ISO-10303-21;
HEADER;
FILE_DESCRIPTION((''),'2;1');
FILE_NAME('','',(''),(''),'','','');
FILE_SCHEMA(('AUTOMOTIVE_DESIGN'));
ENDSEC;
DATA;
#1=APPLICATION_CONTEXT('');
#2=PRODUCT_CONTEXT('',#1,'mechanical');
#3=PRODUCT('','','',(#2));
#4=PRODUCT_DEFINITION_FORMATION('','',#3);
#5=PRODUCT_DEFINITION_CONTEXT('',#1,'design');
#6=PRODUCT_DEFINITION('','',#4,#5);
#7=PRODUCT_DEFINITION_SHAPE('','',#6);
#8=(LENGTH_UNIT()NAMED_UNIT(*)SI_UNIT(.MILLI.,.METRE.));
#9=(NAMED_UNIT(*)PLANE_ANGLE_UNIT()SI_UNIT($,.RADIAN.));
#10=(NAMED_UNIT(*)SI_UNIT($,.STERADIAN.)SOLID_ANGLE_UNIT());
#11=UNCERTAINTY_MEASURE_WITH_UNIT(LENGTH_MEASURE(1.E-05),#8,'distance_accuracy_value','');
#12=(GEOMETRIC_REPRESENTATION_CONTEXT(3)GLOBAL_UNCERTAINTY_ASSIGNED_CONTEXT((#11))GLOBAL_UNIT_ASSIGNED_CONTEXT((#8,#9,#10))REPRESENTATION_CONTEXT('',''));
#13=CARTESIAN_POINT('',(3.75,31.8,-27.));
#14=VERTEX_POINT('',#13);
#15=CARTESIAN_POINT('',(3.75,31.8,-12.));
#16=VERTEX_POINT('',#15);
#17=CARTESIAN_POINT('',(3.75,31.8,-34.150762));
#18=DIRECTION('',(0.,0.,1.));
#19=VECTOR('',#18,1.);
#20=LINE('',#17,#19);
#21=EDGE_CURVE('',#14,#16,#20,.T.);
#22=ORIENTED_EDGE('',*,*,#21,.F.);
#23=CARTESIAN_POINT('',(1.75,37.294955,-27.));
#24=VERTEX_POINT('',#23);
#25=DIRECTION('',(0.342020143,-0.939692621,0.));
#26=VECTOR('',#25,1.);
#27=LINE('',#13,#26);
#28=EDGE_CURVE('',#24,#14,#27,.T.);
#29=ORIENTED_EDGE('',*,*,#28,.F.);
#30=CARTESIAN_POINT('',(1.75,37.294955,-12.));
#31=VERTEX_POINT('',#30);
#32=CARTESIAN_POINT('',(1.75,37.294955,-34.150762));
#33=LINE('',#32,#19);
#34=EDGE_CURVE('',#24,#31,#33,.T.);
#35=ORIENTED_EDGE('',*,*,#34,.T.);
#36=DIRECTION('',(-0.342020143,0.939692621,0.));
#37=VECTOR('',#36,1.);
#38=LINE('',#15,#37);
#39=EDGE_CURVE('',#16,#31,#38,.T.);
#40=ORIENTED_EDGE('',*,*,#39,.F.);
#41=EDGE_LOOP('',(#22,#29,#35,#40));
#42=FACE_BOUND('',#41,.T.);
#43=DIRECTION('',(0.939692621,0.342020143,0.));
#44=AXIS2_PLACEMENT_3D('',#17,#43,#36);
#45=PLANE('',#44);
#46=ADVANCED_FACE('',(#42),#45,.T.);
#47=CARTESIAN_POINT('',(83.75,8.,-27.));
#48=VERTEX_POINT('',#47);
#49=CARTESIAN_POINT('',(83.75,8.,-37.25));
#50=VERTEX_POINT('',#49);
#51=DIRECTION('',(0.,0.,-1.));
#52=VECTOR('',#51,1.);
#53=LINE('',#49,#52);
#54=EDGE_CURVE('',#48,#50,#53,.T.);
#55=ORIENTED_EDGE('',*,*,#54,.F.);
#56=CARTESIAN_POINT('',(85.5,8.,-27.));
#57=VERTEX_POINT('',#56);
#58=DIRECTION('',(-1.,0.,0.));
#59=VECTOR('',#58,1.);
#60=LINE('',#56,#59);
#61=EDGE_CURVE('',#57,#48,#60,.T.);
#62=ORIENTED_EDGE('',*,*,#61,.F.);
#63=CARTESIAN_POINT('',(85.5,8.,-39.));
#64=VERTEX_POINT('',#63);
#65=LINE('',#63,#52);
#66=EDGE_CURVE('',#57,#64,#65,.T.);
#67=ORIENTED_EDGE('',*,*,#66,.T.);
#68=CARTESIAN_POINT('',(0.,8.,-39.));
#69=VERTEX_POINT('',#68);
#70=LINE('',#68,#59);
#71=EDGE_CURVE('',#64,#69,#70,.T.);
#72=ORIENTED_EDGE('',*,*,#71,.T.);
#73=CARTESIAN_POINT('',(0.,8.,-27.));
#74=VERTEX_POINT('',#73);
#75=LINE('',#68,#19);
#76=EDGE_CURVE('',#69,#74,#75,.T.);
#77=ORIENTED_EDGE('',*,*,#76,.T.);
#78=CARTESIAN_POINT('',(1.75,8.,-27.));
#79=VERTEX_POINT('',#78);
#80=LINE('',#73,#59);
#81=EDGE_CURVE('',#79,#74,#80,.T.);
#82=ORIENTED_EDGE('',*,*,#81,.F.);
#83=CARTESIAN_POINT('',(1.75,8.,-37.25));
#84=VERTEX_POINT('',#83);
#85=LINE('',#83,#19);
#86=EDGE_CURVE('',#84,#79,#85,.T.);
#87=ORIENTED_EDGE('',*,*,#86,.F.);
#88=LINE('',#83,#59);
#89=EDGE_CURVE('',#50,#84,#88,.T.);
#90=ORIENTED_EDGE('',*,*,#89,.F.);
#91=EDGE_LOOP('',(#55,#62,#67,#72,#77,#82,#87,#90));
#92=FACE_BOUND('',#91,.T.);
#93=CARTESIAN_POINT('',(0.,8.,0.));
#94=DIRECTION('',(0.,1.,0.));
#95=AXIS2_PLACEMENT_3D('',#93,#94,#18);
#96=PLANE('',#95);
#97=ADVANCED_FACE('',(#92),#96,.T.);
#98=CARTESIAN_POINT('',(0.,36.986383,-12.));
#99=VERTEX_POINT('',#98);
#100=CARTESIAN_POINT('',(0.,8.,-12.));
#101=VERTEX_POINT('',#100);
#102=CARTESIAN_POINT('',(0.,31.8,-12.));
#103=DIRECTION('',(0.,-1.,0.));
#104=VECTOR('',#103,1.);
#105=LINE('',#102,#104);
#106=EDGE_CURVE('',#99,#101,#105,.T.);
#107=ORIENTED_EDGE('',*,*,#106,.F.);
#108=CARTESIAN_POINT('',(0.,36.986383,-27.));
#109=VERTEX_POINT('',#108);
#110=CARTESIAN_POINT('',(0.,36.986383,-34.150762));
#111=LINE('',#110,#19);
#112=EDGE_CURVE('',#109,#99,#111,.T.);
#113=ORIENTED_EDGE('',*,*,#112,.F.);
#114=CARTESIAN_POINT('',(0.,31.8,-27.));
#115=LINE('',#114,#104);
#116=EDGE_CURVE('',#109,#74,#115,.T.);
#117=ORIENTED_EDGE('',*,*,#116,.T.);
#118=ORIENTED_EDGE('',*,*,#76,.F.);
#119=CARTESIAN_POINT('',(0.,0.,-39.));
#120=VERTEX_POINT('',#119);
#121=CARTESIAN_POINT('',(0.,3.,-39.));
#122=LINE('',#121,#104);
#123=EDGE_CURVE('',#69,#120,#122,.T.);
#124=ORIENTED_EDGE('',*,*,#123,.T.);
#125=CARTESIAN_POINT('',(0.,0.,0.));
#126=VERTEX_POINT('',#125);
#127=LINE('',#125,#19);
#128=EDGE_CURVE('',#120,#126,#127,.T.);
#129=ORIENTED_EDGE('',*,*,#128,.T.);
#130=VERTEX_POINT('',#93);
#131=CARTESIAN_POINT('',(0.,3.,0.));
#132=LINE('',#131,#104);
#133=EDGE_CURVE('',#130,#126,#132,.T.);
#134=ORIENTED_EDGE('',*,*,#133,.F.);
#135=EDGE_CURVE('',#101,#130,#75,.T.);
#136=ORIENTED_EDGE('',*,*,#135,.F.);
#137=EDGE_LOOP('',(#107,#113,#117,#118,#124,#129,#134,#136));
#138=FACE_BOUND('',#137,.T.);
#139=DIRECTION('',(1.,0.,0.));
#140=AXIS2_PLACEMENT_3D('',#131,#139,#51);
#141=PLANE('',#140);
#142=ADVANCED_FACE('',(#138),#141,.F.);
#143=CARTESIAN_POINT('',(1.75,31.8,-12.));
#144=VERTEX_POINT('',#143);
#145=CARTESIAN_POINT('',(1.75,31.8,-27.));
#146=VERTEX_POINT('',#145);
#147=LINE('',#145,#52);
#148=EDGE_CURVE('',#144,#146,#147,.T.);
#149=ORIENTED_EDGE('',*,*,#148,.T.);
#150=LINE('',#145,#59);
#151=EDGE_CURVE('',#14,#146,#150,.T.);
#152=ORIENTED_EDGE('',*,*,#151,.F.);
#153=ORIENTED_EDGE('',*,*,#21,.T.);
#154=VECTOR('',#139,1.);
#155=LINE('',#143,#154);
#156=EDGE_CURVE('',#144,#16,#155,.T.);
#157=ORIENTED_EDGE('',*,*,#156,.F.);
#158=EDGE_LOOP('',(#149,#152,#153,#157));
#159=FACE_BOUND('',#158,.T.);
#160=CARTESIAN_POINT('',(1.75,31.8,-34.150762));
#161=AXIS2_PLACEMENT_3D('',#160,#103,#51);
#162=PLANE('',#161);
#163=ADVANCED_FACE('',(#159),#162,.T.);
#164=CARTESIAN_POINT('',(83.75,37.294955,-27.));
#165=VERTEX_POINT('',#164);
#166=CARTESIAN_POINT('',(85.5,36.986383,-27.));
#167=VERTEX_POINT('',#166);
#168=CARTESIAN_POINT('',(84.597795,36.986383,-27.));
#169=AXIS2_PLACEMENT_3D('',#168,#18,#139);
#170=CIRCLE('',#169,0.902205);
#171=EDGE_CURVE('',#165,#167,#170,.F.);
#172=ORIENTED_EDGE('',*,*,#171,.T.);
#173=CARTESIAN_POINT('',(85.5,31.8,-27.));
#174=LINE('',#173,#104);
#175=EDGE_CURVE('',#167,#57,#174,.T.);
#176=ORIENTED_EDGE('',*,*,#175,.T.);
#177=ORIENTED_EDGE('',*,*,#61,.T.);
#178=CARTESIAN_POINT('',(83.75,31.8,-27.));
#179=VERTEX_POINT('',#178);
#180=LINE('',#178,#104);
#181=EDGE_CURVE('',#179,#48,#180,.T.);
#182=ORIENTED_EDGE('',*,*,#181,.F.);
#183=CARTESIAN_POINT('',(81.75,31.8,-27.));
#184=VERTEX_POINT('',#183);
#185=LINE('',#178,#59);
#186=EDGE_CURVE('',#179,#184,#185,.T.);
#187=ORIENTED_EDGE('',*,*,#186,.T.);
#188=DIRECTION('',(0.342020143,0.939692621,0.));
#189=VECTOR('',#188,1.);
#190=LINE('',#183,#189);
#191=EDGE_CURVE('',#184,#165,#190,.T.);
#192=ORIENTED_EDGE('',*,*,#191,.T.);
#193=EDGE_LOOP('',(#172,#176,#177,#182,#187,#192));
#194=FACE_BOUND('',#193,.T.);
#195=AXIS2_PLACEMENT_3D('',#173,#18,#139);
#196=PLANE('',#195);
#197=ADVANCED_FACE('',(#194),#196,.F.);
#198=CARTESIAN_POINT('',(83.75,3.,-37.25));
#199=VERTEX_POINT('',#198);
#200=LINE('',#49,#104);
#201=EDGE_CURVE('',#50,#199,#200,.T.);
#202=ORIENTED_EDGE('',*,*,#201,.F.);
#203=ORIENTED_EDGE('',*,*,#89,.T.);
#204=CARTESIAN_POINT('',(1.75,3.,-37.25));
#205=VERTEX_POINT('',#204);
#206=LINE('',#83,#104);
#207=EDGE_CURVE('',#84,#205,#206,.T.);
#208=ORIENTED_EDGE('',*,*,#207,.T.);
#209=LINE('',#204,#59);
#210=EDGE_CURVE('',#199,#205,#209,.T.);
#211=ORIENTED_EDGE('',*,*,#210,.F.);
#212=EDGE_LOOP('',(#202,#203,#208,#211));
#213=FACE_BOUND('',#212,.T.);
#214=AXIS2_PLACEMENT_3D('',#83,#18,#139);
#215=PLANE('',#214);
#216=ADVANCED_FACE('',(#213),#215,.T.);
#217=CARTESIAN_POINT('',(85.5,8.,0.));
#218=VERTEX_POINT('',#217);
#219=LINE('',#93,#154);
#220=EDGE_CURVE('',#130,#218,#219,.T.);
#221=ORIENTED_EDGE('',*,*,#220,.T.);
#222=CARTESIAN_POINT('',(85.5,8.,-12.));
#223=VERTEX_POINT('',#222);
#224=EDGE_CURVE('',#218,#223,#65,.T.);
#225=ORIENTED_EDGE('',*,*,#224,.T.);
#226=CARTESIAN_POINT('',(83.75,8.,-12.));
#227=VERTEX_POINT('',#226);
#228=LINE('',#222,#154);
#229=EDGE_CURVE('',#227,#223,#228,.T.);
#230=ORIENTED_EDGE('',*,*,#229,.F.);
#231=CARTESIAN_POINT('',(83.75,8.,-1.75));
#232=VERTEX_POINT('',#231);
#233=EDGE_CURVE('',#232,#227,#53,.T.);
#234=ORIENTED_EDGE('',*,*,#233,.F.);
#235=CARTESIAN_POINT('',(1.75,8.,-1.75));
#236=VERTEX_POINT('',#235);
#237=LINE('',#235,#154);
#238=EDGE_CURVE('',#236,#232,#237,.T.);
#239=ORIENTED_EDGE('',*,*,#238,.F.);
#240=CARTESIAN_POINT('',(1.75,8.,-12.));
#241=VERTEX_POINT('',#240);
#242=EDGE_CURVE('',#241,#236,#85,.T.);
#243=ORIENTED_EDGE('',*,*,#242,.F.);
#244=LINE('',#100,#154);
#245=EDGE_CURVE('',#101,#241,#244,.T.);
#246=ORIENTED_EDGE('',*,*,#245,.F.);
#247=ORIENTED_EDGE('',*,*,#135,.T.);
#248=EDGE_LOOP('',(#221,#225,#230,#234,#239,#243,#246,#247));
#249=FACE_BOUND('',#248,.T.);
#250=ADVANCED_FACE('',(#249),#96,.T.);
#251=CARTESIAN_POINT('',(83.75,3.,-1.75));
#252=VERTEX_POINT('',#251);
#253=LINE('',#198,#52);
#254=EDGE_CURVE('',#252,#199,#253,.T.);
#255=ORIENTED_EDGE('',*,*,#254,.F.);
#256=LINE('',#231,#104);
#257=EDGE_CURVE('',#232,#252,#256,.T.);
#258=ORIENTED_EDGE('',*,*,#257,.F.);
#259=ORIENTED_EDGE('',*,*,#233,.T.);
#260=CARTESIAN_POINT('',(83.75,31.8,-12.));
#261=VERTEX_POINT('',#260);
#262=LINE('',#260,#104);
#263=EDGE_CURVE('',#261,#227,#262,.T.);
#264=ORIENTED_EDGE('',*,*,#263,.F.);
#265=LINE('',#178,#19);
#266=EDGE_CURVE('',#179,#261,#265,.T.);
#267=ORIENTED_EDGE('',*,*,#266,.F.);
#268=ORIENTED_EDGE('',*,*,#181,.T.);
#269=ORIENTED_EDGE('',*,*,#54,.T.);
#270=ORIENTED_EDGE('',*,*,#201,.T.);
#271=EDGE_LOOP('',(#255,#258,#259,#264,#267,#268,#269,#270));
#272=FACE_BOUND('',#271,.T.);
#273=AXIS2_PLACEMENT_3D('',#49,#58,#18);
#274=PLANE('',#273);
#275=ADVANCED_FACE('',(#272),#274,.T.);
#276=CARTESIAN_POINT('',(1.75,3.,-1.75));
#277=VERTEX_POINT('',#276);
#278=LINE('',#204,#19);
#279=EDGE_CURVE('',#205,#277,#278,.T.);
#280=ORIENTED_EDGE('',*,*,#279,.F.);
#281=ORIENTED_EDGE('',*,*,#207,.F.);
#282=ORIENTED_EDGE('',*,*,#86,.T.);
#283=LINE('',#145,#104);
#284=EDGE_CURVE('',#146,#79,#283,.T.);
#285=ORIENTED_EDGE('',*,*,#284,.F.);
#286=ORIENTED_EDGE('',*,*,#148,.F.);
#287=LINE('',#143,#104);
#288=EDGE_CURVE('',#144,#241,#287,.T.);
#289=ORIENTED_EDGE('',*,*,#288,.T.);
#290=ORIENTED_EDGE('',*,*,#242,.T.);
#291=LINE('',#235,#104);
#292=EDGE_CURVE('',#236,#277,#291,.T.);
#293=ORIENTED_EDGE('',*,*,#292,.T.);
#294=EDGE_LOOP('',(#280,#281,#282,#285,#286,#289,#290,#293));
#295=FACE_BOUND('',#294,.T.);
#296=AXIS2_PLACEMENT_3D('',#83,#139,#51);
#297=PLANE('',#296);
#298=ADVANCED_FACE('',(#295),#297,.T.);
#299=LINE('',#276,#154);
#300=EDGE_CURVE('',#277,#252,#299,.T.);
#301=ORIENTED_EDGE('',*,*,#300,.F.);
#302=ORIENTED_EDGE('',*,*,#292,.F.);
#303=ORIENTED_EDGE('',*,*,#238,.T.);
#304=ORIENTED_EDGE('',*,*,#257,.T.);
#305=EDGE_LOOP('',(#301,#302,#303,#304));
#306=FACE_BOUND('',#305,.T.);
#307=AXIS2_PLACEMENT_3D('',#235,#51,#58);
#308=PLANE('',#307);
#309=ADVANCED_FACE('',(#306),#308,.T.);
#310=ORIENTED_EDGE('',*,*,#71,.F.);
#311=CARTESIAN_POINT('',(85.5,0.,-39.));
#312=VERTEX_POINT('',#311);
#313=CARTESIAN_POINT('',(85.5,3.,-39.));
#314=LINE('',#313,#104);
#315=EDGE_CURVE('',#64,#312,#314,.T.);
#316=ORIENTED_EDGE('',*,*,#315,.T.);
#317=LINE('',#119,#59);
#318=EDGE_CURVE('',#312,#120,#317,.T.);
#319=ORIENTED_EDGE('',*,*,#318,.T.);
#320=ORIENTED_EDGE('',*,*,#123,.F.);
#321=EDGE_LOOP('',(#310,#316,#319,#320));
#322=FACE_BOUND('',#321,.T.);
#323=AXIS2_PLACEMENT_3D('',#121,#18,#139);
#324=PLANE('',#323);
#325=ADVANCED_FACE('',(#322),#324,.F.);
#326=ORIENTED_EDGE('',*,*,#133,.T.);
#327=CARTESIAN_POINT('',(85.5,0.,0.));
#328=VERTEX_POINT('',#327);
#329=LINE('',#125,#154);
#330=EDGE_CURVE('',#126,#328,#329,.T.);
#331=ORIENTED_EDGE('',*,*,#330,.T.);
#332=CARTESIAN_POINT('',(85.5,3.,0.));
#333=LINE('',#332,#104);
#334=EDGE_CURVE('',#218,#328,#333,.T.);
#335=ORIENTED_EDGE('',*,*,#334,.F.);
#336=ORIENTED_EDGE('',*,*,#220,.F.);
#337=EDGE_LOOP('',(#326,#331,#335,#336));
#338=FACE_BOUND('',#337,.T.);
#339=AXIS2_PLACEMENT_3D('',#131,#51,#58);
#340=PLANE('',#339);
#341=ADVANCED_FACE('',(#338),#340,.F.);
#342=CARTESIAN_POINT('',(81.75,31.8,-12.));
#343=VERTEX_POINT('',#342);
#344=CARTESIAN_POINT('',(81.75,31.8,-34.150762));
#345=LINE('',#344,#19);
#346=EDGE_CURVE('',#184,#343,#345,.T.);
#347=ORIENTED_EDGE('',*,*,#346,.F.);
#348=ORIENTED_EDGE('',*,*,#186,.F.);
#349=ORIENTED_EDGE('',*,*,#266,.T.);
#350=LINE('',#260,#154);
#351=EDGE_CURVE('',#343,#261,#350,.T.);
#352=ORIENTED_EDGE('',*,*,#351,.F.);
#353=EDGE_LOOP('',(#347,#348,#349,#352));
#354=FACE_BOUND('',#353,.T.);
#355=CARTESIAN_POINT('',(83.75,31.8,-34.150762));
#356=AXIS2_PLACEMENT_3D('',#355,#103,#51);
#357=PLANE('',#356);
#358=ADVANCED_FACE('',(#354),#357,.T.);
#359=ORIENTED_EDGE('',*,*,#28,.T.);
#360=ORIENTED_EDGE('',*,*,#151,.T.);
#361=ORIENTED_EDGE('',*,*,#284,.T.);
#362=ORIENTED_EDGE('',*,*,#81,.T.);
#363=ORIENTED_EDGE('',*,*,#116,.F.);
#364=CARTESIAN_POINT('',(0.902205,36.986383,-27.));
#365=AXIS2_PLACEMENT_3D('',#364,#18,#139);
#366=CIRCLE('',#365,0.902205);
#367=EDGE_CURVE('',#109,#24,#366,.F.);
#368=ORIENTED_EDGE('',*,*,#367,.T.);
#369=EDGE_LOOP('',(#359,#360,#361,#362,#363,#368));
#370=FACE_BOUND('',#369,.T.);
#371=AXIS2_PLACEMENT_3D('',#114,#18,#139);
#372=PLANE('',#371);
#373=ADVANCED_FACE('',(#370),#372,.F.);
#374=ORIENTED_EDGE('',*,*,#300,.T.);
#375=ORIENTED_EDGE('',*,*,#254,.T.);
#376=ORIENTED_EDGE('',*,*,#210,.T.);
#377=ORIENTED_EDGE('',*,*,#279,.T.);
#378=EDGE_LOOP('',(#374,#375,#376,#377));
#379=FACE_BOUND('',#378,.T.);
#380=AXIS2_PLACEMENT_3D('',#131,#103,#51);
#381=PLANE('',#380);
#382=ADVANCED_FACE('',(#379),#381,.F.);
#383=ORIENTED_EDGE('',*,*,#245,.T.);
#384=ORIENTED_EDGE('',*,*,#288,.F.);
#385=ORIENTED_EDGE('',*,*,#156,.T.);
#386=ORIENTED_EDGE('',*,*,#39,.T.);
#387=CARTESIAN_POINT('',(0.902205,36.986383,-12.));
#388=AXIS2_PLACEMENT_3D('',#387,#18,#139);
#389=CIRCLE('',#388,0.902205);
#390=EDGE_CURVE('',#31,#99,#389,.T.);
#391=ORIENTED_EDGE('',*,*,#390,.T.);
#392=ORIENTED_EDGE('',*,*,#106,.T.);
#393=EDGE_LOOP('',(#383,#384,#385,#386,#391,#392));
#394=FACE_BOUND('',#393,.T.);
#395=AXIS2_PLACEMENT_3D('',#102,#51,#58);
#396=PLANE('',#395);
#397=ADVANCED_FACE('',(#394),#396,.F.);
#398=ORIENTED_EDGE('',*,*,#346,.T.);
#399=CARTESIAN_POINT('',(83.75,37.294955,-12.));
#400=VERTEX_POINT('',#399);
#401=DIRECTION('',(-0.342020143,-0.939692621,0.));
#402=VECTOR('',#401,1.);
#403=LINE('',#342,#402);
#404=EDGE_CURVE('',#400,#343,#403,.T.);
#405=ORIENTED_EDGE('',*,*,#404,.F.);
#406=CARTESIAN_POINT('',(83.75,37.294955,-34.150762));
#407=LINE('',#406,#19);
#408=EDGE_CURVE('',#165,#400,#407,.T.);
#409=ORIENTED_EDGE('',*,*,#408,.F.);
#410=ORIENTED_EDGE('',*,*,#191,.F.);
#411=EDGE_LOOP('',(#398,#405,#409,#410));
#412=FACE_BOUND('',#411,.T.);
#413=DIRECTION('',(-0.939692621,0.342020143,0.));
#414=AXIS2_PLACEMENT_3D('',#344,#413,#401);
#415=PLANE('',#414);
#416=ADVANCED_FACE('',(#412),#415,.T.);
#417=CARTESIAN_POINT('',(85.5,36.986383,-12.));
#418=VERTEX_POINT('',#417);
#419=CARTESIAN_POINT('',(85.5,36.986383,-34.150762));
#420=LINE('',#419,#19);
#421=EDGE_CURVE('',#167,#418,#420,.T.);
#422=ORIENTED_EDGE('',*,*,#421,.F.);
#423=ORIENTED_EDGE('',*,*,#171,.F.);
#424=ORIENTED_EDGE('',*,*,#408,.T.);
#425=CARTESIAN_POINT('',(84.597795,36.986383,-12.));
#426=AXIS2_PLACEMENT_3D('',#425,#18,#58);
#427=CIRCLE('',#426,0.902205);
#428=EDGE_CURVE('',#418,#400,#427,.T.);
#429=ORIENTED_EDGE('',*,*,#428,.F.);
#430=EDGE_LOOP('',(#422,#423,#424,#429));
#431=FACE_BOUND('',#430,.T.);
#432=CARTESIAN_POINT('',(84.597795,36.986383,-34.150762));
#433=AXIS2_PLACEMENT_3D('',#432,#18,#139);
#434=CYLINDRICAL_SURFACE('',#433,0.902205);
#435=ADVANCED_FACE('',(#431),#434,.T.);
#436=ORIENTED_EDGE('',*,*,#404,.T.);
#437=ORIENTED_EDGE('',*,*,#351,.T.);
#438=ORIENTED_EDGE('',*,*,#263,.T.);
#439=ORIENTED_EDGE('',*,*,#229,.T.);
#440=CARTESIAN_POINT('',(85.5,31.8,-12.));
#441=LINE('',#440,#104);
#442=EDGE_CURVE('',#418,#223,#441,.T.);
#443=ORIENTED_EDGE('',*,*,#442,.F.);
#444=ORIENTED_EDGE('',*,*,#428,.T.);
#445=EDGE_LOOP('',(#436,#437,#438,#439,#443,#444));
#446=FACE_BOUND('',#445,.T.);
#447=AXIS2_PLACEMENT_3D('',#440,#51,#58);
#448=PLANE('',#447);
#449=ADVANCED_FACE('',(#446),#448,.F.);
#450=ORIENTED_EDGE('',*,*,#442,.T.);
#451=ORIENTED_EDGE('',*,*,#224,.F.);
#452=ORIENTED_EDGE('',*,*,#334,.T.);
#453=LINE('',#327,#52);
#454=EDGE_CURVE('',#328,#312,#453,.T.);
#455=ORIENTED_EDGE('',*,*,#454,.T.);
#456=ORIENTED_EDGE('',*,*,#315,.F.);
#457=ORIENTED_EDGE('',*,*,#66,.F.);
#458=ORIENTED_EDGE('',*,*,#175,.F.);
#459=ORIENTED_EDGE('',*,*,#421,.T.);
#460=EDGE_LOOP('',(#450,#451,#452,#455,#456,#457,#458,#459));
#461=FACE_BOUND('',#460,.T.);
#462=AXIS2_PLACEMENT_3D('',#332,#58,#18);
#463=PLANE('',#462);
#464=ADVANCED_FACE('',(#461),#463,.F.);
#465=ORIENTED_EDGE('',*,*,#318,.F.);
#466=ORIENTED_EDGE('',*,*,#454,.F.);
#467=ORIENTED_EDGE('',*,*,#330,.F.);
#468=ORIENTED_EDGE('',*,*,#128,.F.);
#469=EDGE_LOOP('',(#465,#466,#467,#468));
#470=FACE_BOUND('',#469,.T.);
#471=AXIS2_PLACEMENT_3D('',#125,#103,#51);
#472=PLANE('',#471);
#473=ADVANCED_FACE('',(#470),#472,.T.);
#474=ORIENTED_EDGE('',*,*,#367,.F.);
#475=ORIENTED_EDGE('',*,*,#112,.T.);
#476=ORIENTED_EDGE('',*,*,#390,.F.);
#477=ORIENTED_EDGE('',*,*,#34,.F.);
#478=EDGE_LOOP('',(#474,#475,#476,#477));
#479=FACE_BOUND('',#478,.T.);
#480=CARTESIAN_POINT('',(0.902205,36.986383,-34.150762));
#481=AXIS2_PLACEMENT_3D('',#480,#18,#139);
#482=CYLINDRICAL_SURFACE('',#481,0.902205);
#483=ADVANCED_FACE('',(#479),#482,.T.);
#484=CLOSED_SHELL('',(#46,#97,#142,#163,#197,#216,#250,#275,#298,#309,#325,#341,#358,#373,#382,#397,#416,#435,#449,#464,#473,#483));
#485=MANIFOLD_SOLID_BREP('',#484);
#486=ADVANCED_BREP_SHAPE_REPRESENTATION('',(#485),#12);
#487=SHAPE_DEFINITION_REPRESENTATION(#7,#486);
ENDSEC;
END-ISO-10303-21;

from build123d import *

# Parameters (mm, degrees)
SKETCH1_W           = 85.5
SKETCH1_H           = 39
BOSS_EXTRUDE1_DEPTH = 3
SKETCH2_W           = 85.5
SKETCH2_H           = 39
SKETCH2_W_2         = 82
SKETCH2_H_2         = 35.5
BOSS_EXTRUDE2_DEPTH = 5
SKETCH3_W           = 1.75
SKETCH3_H           = 15
BOSS_EXTRUDE3_DEPTH = 23.8
BOSS_EXTRUDE4_DEPTH = 15


with BuildPart() as part:
    # Sketch1 → Boss-Extrude1 (new body)
    with BuildSketch(Plane(origin=(0, 0, 0), x_dir=(1, 0, 0), z_dir=(0, 1, 0))):
        with Locations((42.75, 19.5)):
            Rectangle(SKETCH1_W, SKETCH1_H)
    extrude(amount=BOSS_EXTRUDE1_DEPTH)

    # Sketch2 → Boss-Extrude2 (add)
    with BuildSketch(Plane(origin=(0, 3, 0), x_dir=(1, 0, 0), z_dir=(0, 1, 0))):
        with Locations((42.75, 19.5)):
            Rectangle(SKETCH2_W, SKETCH2_H)
        with Locations((42.75, 19.5)):
            Rectangle(SKETCH2_W_2, SKETCH2_H_2, mode=Mode.SUBTRACT)
    extrude(amount=BOSS_EXTRUDE2_DEPTH)

    # Sketch3 → Boss-Extrude3 (add)
    with BuildSketch(Plane(origin=(0, 8, 0), x_dir=(1, 0, 0), z_dir=(0, 1, 0))):
        with Locations((0.875, 19.5)):
            Rectangle(SKETCH3_W, SKETCH3_H)
        with Locations((84.625, 19.5)):
            Rectangle(SKETCH3_W, SKETCH3_H)
    extrude(amount=BOSS_EXTRUDE3_DEPTH)

    # Sketch4 → Boss-Extrude4 (add)
    with BuildSketch(Plane.XY.offset(-12)):
        with BuildLine():
            Line((1.75, 31.8), (3.75, 31.8))
            Line((3.75, 31.8), (1.75, 37.294954839))
            ThreePointArc((1.75, 37.294954839), (0.745538584, 37.874880908), (0, 36.986382623))
            Line((0, 36.986382623), (0, 31.8))
            Line((0, 31.8), (1.75, 31.8))
        make_face()
        with BuildLine():
            Line((83.75, 31.8), (85.5, 31.8))
            Line((85.5, 31.8), (85.5, 36.986382623))
            ThreePointArc((85.5, 36.986382623), (84.754461416, 37.874880908), (83.75, 37.294954839))
            Line((83.75, 37.294954839), (81.75, 31.8))
            Line((81.75, 31.8), (83.75, 31.8))
        make_face()
    extrude(amount=-BOSS_EXTRUDE4_DEPTH)


solid = part.part
